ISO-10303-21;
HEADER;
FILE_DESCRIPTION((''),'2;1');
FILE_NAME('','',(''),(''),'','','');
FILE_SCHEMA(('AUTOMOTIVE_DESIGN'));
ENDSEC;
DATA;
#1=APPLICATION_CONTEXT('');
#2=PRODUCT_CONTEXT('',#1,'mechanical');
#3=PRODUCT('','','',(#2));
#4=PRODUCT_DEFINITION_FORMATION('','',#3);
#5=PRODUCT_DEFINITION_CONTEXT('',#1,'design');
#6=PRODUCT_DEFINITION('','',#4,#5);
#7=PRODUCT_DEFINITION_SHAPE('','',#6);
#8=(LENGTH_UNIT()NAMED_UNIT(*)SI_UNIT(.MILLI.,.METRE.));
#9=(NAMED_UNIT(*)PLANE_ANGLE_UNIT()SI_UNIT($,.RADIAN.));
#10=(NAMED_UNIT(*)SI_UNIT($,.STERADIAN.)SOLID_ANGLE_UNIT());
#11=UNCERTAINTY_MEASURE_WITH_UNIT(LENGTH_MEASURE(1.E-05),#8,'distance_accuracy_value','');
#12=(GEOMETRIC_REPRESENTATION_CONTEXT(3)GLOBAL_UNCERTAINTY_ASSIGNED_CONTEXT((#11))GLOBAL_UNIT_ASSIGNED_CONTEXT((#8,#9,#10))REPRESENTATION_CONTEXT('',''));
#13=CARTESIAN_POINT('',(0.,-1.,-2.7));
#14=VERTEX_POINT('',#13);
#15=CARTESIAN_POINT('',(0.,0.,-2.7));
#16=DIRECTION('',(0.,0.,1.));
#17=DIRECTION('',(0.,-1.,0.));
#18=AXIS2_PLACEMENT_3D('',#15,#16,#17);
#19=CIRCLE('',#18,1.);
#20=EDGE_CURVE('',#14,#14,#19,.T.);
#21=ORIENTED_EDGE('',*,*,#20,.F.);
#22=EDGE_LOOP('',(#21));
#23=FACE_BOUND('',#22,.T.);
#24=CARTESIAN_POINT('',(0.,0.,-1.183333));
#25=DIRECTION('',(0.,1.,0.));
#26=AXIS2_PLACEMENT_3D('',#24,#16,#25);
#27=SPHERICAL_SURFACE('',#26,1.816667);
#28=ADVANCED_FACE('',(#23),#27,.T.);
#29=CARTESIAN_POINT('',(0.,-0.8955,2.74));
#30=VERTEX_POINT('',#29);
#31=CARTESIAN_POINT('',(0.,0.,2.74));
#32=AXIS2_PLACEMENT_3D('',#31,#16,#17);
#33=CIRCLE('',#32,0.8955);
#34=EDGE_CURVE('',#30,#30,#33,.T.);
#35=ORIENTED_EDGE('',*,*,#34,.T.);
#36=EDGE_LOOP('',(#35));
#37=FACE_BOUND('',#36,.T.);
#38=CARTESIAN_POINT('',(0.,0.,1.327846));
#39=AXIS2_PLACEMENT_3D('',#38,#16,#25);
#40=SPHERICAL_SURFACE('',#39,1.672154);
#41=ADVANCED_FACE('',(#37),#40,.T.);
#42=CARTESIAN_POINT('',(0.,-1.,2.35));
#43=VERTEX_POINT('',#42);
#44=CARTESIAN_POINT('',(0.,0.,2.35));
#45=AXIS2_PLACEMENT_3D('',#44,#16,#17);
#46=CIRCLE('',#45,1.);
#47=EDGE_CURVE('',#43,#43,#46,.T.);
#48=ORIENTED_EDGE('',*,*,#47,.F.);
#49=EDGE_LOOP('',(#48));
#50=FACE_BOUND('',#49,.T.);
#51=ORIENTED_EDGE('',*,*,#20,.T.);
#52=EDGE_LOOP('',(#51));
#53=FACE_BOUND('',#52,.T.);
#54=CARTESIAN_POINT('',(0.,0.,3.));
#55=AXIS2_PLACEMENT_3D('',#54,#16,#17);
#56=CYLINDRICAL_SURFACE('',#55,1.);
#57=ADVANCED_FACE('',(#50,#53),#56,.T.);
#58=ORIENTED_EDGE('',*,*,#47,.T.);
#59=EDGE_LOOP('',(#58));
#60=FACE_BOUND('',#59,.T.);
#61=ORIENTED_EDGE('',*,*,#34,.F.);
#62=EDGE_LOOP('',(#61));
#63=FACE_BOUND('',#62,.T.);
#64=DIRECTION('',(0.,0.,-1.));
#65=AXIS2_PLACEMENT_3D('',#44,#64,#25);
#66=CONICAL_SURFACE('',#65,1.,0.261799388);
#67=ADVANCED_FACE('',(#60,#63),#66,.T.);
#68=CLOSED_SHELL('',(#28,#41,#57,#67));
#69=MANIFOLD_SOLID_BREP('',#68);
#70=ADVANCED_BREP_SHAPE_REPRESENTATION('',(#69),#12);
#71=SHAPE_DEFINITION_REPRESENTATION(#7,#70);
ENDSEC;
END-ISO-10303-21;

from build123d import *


with BuildPart() as part:
    # Sketch3 → Revolve1 (revolve)
    with BuildSketch(Plane(origin=(0, 0, 0), x_dir=(0, 0, -1), z_dir=(1, 0, 0))):
        with BuildLine():
            Line((-3, 0), (3, 0))
            ThreePointArc((3, 0), (2.923384418, 0.522015325), (2.7, 1))
            Line((2.7, 1), (-2.35, 1))
            Line((-2.35, 1), (-2.74, 0.895499815))
            ThreePointArc((-2.74, 0.895499815), (-2.933685026, 0.46624026), (-3, 0))
        make_face()
    revolve(axis=Axis((0, 0, 3), (0, 0, -1)))


solid = part.part
